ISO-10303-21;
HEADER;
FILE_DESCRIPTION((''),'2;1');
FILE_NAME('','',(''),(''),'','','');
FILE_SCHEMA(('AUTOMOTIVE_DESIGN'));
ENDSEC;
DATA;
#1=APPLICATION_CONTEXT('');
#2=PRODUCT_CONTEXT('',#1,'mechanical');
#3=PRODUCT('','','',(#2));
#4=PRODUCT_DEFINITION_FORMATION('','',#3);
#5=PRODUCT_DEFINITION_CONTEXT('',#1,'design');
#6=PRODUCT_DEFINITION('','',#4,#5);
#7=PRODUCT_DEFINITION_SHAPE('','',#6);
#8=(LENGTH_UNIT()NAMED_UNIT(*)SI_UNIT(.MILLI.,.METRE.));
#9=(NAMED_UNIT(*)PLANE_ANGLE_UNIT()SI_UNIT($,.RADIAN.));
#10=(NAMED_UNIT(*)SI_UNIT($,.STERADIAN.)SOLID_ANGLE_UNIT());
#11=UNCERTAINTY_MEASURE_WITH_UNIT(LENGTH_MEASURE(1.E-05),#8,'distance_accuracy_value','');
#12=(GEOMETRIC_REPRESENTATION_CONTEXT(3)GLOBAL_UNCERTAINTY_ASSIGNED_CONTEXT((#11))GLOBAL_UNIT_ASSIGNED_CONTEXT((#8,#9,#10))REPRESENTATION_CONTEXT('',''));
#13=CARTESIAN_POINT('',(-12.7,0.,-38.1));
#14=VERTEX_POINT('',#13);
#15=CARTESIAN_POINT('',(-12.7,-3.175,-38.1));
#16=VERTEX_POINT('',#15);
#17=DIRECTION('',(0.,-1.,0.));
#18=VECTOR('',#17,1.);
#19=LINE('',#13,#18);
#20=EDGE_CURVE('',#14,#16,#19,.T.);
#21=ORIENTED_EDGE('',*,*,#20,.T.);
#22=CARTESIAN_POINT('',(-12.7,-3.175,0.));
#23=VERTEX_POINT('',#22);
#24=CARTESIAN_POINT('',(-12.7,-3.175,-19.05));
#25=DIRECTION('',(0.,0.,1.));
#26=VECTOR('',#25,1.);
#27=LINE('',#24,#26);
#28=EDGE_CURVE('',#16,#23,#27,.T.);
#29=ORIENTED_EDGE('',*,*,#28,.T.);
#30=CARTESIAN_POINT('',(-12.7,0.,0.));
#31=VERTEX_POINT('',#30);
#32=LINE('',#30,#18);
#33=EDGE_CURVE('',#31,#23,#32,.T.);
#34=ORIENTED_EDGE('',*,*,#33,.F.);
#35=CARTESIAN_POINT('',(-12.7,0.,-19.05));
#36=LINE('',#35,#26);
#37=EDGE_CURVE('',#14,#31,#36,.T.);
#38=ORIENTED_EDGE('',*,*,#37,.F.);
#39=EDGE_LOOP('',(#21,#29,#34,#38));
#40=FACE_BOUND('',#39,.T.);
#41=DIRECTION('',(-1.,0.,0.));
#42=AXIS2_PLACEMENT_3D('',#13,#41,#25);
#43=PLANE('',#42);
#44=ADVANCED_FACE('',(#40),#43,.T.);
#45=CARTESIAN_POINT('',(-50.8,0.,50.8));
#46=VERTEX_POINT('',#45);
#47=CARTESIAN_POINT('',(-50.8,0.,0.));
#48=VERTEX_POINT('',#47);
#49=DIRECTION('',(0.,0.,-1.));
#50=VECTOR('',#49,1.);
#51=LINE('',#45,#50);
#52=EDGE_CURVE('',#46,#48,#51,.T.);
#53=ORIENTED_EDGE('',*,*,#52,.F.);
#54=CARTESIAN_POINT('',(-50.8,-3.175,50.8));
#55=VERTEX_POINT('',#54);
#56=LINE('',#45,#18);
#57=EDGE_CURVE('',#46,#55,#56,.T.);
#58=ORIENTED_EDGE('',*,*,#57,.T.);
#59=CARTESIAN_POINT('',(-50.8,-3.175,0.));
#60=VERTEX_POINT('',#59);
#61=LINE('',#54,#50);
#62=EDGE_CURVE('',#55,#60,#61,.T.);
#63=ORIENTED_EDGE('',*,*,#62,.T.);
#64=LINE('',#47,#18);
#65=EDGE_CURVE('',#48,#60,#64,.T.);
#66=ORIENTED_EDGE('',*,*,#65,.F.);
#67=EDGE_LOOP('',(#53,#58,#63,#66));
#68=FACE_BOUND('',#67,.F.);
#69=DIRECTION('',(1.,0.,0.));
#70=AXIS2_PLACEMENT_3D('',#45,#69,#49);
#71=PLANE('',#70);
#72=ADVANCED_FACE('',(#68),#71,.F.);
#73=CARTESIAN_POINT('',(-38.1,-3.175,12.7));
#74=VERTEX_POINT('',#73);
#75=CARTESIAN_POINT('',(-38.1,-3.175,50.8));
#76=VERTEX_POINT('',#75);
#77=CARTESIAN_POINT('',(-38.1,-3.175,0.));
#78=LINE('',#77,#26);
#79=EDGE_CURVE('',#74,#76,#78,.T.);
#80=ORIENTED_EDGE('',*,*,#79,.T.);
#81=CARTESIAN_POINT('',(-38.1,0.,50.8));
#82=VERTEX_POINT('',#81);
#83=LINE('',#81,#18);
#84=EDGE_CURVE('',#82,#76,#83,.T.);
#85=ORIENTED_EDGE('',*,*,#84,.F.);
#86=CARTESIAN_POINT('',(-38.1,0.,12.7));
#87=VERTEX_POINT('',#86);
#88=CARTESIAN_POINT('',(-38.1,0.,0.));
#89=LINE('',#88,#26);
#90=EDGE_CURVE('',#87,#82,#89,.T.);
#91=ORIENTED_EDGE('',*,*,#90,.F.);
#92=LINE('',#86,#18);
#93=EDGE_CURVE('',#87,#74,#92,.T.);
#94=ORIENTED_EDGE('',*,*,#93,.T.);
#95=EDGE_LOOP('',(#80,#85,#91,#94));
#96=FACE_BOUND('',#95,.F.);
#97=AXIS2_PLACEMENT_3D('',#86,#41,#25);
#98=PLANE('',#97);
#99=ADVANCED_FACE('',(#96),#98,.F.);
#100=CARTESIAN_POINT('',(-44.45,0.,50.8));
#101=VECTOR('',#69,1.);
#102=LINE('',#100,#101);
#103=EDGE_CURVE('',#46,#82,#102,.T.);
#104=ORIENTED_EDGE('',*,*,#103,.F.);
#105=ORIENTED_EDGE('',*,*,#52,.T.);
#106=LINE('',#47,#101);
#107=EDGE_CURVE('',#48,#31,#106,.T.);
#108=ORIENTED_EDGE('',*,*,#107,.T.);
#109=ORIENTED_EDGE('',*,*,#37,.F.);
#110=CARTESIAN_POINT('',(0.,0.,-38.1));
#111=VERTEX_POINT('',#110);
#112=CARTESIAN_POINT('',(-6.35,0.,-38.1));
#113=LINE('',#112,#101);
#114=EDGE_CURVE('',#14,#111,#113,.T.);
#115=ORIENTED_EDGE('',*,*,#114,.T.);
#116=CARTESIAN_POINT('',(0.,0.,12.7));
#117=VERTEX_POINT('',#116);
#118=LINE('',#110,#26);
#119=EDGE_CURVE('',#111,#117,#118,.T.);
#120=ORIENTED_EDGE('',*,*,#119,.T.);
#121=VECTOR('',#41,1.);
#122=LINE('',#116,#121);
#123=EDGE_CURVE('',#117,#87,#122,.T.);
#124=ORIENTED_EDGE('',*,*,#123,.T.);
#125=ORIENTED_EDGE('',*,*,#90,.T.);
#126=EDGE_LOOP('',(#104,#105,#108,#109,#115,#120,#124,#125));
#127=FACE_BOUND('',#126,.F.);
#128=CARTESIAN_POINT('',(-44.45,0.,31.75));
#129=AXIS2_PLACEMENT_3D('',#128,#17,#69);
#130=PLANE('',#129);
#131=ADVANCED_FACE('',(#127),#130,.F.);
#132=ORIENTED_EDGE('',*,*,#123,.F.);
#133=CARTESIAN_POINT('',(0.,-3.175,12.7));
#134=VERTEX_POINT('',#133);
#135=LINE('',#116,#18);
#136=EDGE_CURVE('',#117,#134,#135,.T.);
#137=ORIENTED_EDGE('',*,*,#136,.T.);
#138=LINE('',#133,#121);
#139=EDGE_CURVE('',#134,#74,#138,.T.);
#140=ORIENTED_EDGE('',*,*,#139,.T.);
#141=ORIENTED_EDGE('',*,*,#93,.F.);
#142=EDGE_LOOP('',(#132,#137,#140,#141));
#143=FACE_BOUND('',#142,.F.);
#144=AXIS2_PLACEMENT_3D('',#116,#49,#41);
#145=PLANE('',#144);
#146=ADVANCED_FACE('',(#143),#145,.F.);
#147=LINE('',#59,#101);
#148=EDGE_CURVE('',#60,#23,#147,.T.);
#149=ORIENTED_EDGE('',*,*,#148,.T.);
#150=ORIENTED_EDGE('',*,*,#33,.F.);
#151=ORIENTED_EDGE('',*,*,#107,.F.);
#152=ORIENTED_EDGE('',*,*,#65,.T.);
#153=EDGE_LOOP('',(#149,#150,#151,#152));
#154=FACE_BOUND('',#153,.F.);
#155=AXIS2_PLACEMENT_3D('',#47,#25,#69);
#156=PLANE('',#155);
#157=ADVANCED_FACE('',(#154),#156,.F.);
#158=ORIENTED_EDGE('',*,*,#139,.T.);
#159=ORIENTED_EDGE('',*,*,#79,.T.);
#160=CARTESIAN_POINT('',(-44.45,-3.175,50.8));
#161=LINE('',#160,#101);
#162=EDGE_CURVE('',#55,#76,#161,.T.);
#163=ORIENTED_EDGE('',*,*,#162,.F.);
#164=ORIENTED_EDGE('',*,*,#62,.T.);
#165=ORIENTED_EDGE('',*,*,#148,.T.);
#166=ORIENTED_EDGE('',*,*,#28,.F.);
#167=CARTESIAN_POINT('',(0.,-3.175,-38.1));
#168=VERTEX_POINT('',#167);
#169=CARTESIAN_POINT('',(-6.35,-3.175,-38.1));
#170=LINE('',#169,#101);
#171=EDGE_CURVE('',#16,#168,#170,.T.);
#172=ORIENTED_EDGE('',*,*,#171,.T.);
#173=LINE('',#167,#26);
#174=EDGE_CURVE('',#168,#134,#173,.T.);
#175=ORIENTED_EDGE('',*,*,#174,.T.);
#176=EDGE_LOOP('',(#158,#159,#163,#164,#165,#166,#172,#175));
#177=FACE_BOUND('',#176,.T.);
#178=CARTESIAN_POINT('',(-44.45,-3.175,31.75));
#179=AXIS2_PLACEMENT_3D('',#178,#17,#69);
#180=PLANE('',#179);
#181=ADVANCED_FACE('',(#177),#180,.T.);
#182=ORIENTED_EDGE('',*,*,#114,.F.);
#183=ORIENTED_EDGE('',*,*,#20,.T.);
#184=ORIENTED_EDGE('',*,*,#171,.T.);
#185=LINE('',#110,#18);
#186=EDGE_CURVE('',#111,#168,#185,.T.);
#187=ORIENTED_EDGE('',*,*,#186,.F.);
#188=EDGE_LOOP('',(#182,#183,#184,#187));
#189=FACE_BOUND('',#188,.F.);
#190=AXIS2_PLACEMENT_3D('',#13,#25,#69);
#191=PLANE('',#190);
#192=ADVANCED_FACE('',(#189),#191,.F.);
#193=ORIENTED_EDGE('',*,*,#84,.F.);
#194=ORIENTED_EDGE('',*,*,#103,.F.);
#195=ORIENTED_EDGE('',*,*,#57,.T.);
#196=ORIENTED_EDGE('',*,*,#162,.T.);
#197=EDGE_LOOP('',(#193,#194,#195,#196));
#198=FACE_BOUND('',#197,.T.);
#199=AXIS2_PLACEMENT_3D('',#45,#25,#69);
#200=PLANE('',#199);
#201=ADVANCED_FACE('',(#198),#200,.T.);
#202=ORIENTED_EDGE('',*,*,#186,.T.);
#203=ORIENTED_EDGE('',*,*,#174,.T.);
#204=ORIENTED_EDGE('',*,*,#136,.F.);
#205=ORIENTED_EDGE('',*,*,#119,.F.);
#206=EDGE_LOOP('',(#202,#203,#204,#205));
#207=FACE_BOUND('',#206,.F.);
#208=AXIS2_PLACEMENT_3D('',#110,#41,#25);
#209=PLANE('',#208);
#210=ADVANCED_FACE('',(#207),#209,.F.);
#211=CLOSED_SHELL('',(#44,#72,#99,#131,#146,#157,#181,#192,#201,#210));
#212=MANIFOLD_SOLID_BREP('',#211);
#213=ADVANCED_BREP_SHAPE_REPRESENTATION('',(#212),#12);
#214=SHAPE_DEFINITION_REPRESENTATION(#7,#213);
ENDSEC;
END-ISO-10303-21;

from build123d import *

# Parameters (mm, degrees)
F0_W     = 12.7
F0_H     = 38.1
F0_H_2   = 12.7
F0_W_2   = 25.4
F1_DEPTH = 3.175


with BuildPart() as f1:
    # F0 (on Front) → F1 (new body)
    with BuildSketch(Plane.XZ):
        with Locations((-44.45, 31.75)):
            Rectangle(F0_W, F0_H)
        with Locations((-44.45, 6.35)):
            Rectangle(F0_W, F0_H_2)
        with Locations((-25.4, 6.35)):
            Rectangle(F0_W_2, F0_H_2)
        with Locations((-6.35, 6.35)):
            Rectangle(F0_W, F0_H_2)
        with Locations((-6.35, -19.05)):
            Rectangle(F0_W, F0_H)
    extrude(amount=F1_DEPTH)


solid = f1.part
